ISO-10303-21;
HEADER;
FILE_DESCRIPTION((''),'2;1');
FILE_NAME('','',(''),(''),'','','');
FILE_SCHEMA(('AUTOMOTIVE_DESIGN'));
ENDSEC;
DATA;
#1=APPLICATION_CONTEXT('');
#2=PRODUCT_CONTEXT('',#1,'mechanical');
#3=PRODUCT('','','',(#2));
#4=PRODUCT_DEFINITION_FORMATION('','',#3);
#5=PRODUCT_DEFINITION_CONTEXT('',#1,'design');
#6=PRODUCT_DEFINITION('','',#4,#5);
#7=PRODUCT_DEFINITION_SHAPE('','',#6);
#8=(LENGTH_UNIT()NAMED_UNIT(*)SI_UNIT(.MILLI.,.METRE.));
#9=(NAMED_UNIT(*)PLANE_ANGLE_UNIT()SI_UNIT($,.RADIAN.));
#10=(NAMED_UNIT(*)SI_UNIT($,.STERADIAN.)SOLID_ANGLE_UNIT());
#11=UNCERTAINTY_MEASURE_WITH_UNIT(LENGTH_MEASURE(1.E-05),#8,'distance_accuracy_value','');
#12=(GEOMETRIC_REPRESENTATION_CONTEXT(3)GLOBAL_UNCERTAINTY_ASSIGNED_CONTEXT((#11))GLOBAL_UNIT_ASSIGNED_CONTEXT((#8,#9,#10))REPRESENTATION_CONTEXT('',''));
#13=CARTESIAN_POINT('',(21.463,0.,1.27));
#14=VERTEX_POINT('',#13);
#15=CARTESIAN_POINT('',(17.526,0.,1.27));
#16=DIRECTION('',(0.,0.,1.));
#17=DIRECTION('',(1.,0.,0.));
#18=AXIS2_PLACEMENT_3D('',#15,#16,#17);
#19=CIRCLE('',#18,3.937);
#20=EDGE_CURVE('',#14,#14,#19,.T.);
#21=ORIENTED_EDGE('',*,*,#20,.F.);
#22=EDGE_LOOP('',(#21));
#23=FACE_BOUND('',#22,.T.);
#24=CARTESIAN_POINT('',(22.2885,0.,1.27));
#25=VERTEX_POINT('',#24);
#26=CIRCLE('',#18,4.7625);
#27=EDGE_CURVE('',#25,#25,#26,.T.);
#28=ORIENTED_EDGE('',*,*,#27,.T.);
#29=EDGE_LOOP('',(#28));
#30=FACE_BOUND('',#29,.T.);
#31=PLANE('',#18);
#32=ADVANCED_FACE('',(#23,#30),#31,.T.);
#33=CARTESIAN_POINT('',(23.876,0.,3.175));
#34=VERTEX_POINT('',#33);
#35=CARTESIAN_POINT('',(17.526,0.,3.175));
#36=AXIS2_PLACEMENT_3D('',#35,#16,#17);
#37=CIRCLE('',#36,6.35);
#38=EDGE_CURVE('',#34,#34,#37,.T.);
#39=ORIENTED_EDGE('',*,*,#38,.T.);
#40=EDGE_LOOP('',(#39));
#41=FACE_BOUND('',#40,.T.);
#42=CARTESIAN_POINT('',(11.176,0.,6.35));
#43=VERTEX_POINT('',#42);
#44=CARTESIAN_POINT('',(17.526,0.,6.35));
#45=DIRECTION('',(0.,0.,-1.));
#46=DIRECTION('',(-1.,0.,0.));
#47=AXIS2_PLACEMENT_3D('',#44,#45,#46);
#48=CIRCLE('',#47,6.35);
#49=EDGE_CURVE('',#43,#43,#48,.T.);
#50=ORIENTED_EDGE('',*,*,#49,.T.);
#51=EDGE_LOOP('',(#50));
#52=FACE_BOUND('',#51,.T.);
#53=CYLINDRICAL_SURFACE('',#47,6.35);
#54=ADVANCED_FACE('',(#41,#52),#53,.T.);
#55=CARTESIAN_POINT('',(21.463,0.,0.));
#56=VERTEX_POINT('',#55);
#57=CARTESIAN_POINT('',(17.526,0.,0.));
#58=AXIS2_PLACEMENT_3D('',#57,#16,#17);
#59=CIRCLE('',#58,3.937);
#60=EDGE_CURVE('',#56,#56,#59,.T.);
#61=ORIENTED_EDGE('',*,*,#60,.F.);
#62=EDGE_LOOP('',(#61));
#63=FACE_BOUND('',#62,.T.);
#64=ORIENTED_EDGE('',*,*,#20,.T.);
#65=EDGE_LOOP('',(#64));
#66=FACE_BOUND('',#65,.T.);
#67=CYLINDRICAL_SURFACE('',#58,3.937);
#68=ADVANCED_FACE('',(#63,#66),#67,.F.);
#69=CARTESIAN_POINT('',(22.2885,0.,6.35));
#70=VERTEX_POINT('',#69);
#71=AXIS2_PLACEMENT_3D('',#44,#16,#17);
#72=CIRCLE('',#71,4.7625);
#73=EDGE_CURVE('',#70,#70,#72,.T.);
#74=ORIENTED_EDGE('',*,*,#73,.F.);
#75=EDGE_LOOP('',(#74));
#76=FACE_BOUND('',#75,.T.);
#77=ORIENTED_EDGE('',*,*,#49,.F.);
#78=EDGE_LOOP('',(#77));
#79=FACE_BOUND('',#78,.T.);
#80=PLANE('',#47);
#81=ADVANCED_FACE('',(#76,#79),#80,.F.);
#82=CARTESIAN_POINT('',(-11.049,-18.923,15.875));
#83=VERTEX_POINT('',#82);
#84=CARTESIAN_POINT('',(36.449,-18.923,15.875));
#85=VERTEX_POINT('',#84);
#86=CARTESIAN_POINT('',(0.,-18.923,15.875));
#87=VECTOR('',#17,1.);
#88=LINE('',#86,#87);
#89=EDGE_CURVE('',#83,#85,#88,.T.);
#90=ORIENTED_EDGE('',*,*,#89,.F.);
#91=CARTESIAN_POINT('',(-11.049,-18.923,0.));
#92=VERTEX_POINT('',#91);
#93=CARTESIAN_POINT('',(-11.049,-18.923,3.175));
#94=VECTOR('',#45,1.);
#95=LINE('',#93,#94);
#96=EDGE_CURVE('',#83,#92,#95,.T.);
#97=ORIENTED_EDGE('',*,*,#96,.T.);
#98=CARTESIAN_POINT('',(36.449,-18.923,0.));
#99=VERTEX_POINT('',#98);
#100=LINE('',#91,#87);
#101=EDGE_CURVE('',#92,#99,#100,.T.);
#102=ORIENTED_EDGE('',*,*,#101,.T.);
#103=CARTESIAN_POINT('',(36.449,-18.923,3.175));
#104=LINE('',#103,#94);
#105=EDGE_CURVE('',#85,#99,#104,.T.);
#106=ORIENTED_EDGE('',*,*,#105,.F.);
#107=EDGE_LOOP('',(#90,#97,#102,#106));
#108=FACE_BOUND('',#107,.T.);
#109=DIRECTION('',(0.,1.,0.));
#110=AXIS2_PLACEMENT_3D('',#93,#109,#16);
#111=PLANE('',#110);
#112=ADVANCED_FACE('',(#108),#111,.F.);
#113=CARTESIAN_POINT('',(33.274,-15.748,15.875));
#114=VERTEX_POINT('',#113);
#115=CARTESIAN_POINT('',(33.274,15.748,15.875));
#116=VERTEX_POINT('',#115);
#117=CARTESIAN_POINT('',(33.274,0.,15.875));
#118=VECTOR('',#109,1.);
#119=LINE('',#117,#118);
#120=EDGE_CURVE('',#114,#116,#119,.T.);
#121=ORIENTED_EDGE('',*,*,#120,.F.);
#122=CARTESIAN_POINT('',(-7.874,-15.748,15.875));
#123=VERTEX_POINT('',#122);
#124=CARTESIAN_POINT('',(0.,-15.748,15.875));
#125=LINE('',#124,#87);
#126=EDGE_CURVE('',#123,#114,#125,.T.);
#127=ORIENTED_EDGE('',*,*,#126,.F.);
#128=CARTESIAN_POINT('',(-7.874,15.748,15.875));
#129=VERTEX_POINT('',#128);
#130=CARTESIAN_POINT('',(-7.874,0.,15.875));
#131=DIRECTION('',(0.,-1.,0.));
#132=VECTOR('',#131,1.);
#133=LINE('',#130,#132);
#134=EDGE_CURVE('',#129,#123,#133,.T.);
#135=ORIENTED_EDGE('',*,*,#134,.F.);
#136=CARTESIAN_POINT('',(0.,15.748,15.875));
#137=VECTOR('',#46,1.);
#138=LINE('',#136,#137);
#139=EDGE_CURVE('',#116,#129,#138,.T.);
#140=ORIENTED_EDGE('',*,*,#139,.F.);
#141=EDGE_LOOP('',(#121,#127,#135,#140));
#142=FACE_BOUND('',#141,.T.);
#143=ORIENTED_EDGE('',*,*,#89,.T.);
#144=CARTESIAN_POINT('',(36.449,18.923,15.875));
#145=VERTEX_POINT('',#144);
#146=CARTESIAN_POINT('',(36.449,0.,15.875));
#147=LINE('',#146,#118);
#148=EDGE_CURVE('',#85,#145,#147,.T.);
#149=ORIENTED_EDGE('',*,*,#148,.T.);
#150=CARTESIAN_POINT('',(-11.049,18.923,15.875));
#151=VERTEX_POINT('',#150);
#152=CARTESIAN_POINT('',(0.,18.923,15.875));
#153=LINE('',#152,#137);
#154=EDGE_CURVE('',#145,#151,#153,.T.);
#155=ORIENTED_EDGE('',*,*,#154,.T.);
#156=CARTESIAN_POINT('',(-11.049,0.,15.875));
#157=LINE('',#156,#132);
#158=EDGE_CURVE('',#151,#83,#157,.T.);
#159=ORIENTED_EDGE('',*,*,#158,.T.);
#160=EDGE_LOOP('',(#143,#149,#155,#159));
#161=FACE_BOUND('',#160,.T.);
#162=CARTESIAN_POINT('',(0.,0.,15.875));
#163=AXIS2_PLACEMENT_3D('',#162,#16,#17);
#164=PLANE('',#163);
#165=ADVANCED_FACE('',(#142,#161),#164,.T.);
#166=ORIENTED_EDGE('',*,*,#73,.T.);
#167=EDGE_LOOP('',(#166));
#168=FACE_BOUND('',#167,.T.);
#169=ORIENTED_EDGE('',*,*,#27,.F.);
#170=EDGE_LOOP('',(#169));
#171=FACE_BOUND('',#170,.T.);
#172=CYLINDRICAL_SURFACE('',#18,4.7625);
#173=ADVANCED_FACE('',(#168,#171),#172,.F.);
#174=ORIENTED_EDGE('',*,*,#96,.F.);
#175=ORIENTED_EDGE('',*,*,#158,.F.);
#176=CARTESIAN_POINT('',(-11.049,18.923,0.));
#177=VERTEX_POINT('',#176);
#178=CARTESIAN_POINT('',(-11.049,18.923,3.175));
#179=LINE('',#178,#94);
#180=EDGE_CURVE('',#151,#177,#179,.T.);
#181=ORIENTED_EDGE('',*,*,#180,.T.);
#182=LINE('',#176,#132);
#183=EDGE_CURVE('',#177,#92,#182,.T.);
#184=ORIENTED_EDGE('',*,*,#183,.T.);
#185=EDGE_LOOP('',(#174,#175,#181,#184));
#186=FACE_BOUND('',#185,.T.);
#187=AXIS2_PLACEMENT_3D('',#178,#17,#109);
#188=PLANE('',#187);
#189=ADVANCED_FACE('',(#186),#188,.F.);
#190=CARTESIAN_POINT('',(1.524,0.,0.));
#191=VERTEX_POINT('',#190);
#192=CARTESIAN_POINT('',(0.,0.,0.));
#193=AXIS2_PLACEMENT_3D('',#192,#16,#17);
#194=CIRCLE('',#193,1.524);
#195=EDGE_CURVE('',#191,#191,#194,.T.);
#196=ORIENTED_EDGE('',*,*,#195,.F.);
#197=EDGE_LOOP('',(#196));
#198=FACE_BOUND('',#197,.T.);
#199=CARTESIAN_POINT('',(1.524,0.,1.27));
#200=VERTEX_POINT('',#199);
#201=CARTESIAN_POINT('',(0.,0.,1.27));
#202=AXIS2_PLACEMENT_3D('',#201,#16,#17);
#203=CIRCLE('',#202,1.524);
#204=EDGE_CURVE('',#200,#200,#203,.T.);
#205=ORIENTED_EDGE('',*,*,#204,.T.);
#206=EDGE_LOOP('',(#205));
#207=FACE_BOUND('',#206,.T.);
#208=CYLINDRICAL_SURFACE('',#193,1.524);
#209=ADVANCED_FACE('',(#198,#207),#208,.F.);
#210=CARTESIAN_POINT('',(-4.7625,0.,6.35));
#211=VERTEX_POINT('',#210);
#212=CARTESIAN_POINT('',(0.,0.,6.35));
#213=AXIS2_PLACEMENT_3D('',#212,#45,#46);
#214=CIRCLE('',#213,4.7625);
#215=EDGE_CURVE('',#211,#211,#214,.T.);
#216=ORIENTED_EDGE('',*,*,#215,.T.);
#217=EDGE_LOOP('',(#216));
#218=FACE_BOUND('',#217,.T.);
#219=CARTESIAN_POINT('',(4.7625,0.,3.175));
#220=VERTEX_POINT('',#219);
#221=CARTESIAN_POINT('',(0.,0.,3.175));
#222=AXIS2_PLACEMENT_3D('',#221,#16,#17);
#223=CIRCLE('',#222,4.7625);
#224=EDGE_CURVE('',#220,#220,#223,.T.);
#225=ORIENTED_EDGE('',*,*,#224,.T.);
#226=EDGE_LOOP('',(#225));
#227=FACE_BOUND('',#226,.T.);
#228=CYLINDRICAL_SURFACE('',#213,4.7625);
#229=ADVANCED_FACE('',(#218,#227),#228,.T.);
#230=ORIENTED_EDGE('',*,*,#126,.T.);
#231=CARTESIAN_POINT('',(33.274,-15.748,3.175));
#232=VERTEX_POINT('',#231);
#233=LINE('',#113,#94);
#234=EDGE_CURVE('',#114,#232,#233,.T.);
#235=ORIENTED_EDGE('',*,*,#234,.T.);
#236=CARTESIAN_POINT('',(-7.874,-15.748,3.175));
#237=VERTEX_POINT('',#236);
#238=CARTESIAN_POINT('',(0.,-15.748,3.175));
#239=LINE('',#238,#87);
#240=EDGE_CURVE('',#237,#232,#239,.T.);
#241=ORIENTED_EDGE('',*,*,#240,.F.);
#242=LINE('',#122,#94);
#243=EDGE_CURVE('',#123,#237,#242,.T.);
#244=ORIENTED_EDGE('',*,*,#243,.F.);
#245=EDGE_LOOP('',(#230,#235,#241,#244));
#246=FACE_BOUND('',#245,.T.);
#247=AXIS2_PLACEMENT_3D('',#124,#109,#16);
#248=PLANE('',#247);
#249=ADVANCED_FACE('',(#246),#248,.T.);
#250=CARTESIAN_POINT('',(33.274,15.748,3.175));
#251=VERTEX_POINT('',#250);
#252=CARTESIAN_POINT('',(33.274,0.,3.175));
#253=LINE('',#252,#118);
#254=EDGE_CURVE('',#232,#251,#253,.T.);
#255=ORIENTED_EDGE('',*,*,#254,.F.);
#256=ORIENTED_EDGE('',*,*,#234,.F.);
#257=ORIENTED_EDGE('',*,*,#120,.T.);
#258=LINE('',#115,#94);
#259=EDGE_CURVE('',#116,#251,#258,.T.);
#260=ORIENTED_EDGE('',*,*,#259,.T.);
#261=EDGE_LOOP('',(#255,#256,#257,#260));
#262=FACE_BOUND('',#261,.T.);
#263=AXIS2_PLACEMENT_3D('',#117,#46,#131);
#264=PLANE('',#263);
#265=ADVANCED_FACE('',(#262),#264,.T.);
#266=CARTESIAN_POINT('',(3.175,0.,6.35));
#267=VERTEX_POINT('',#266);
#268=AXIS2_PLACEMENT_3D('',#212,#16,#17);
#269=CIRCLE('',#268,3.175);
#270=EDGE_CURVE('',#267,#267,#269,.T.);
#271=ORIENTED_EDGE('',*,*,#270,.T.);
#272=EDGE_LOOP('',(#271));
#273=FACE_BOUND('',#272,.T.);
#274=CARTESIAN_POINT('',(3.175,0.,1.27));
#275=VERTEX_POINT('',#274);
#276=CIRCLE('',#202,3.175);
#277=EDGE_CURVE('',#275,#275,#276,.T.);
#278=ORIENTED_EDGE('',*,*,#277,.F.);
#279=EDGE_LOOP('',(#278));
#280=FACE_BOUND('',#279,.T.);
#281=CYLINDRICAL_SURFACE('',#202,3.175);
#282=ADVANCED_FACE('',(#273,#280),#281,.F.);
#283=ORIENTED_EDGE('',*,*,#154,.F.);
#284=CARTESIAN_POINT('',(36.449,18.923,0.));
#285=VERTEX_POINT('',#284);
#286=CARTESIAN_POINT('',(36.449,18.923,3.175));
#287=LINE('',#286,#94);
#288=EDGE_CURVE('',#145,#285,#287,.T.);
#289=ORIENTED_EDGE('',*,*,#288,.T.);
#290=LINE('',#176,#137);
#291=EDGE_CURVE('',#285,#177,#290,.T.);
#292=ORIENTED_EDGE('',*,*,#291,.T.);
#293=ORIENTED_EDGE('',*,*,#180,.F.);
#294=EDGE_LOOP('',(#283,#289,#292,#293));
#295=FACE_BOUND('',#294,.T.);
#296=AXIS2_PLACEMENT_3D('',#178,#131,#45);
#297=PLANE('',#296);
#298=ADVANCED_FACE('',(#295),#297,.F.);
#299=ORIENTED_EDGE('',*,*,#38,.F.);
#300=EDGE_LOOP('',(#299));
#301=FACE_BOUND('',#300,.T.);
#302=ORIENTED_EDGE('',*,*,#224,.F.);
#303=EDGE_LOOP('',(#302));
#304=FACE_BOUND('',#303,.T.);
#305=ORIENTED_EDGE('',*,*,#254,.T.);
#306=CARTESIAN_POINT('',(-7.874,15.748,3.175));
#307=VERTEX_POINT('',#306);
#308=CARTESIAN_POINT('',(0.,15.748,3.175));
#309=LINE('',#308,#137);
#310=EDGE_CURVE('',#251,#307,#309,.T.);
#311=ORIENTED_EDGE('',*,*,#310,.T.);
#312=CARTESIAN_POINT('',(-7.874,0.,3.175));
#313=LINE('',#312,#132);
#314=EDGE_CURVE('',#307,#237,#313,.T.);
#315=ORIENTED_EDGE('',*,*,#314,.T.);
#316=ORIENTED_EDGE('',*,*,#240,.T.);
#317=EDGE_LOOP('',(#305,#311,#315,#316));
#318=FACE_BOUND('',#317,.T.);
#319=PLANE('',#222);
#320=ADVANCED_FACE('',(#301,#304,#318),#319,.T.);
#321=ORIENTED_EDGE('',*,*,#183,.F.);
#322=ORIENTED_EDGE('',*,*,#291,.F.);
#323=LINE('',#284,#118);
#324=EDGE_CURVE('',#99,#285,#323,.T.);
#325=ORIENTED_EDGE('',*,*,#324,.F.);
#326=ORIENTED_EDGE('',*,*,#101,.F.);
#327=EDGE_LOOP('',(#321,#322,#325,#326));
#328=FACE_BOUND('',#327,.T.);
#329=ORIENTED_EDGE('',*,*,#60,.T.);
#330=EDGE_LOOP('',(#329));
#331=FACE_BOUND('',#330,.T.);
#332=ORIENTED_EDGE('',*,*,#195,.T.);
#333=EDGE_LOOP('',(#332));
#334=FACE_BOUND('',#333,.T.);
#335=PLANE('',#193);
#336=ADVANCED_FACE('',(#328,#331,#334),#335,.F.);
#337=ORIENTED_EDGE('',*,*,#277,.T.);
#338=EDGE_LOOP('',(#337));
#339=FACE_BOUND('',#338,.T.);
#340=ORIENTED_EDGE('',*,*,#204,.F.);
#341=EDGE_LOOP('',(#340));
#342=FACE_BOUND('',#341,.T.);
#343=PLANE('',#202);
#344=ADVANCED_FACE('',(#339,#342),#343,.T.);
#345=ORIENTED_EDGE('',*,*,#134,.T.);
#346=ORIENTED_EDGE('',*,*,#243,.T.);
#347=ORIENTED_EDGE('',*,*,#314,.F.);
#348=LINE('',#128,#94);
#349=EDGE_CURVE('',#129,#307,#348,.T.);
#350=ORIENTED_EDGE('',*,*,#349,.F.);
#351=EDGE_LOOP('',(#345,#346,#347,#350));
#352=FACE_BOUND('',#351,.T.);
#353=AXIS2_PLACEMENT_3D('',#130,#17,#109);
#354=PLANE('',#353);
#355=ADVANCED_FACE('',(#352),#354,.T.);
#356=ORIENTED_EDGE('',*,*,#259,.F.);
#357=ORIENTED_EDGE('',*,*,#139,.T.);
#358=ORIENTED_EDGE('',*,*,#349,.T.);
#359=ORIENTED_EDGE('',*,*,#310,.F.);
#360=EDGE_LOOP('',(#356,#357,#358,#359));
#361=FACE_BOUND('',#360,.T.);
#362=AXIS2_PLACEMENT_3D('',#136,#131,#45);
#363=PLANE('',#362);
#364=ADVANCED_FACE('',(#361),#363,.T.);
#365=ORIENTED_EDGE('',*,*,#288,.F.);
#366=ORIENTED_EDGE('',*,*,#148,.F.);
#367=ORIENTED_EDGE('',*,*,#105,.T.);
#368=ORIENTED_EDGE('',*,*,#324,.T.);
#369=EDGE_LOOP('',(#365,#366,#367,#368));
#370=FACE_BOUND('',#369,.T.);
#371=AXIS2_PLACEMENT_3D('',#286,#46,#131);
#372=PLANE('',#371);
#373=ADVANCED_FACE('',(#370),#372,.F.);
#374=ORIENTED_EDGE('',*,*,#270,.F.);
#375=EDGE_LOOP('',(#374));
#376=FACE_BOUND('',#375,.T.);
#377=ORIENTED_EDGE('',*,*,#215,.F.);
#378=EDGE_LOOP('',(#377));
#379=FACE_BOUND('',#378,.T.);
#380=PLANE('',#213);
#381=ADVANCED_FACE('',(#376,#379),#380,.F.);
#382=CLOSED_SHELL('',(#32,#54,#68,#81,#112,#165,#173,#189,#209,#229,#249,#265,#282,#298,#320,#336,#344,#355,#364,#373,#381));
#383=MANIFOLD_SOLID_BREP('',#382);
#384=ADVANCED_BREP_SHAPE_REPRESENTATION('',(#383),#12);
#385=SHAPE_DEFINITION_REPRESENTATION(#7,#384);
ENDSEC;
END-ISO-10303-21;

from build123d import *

# Parameters (mm, degrees)
SKETCH2_W           = 47.498
SKETCH2_H           = 37.846
BOSS_EXTRUDE1_DEPTH = 3.175
SKETCH4_W           = 47.498
SKETCH4_H           = 37.846
SKETCH4_W_2         = 41.148
SKETCH4_H_2         = 31.496
BOSS_EXTRUDE2_DEPTH = 12.7
SKETCH5_R           = 4.7625
SKETCH5_R_2         = 6.35
BOSS_EXTRUDE3_DEPTH = 6.35
SKETCH6_R           = 4.7625
SKETCH6_R_2         = 3.175
CUT_EXTRUDE1_DEPTH  = 5.08
SKETCH7_R           = 1.524
SKETCH7_R_2         = 3.937
CUT_EXTRUDE2_DEPTH  = 43.987201933


with BuildPart() as part:
    # Sketch2 → Boss-Extrude1 (new body)
    with BuildSketch(Plane.XY):
        with Locations((12.7, 0)):
            Rectangle(SKETCH2_W, SKETCH2_H)
    extrude(amount=BOSS_EXTRUDE1_DEPTH)

    # Sketch4 → Boss-Extrude2 (add)
    with BuildSketch(Plane.XY.offset(3.175)):
        with Locations((12.7, 0)):
            Rectangle(SKETCH4_W, SKETCH4_H)
        with Locations((12.7, 0)):
            Rectangle(SKETCH4_W_2, SKETCH4_H_2, mode=Mode.SUBTRACT)
    extrude(amount=BOSS_EXTRUDE2_DEPTH)

    # Sketch5 → Boss-Extrude3 (add)
    with BuildSketch(Plane(origin=(0, 0, 0), x_dir=(-1, 0, 0), z_dir=(0, 0, -1))):
        Circle(SKETCH5_R)
        with Locations((-17.526, 0)):
            Circle(SKETCH5_R_2)
    extrude(amount=-BOSS_EXTRUDE3_DEPTH)

    # Sketch6 → Cut-Extrude1 (cut)
    with BuildSketch(Plane.XY.offset(6.35)):
        with Locations((17.526, 0)):
            Circle(SKETCH6_R)
        Circle(SKETCH6_R_2)
    extrude(amount=-CUT_EXTRUDE1_DEPTH, mode=Mode.SUBTRACT)

    # Sketch7 → Cut-Extrude2 (cut, through all)
    with BuildSketch(Plane.XY.offset(3.175)):
        Circle(SKETCH7_R)
        with Locations((17.526, 0)):
            Circle(SKETCH7_R_2)
    extrude(amount=-CUT_EXTRUDE2_DEPTH, mode=Mode.SUBTRACT)


solid = part.part
